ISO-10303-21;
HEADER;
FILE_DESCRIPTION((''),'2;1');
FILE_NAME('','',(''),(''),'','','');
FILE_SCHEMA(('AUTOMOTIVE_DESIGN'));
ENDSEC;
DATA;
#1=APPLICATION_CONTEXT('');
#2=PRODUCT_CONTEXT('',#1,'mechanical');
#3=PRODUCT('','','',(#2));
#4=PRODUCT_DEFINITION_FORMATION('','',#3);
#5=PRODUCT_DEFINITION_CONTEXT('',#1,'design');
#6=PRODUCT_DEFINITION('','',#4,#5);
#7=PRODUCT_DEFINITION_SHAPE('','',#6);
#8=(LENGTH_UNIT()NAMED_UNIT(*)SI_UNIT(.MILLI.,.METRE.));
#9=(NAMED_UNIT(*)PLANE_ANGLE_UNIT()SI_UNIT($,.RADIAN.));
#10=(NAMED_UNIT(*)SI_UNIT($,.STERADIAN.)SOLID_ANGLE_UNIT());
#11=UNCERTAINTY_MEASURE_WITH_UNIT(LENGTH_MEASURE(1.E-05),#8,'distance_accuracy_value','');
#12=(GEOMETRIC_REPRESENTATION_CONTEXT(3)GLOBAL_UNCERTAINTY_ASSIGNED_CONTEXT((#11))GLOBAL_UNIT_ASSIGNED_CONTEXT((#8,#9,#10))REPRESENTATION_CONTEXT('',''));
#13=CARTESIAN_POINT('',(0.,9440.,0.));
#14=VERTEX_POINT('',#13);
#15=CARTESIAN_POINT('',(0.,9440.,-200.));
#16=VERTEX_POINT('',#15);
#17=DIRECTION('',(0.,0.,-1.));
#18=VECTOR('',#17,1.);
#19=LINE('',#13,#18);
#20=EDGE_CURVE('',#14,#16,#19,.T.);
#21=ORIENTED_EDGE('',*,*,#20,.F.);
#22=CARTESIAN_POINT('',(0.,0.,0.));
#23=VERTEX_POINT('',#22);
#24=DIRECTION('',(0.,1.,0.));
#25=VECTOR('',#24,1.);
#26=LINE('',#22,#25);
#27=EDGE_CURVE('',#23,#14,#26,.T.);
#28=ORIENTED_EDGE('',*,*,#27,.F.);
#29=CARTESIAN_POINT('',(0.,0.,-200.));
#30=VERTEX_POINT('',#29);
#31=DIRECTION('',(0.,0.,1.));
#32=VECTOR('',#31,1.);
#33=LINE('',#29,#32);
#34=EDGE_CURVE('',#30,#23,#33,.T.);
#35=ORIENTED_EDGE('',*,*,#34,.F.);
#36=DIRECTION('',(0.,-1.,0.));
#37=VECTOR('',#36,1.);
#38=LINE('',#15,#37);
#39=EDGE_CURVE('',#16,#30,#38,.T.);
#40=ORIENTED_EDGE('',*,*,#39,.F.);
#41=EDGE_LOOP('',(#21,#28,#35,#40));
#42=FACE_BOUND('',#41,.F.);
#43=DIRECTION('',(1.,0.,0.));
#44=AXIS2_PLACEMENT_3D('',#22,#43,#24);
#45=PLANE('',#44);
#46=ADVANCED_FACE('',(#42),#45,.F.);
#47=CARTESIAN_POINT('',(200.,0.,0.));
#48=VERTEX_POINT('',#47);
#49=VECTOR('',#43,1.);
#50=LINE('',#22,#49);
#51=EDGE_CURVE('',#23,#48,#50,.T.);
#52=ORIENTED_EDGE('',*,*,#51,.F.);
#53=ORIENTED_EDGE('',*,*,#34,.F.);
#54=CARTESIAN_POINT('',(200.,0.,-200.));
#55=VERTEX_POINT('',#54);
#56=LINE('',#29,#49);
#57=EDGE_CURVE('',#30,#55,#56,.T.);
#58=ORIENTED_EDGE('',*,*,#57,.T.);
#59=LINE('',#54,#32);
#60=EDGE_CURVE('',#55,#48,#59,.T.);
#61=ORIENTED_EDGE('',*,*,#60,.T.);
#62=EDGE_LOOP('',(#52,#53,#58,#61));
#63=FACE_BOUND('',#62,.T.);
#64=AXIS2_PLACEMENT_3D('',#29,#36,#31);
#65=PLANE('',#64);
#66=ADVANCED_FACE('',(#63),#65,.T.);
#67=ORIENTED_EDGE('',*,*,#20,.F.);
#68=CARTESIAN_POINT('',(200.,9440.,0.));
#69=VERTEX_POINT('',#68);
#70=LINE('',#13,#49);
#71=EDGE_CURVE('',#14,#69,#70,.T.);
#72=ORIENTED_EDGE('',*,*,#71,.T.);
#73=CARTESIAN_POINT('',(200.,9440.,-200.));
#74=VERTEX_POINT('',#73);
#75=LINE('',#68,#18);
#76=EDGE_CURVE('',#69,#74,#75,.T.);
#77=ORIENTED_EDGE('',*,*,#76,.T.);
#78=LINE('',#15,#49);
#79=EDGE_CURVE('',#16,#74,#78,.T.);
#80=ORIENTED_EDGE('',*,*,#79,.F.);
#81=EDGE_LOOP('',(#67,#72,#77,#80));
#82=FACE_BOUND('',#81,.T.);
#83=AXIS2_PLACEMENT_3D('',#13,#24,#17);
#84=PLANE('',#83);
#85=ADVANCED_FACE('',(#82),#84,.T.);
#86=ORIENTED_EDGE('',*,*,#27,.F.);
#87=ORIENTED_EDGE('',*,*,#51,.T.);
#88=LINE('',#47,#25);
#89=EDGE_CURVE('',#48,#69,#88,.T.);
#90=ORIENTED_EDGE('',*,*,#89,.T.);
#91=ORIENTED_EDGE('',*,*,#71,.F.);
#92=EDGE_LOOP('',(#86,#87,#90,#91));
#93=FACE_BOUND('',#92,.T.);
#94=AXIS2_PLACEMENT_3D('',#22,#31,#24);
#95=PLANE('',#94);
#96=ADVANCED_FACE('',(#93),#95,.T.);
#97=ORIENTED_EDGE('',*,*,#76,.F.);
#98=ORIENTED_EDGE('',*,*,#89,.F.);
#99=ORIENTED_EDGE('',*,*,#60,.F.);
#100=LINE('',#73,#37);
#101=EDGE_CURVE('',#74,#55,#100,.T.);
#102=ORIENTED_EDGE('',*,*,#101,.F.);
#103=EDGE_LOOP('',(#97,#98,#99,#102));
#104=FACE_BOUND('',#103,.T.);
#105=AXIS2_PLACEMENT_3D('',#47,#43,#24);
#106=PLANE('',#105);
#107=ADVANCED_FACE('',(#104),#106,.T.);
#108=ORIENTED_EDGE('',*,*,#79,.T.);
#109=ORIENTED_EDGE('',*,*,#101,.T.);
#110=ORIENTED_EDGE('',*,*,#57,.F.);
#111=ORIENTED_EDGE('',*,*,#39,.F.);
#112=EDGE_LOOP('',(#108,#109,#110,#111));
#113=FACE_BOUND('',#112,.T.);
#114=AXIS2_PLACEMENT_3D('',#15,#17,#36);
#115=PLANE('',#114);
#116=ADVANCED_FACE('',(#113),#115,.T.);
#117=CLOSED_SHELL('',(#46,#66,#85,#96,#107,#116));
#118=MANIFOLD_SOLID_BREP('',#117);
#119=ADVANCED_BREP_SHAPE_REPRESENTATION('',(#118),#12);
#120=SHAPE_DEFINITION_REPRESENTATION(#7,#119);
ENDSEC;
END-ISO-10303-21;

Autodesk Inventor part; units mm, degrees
ref_plane "YZ Plane" through (0, 0, 0) normal (1, 0, 0) x (0, 1, 0)
ref_plane "XZ Plane" through (0, 0, 0) normal (0, 1, 0) x (-1, 0, 0)
ref_plane "XY Plane" through (0, 0, 0) normal (0, 0, 1) x (1, 0, 0)
sketch "Sketch1" plane through (0, 0, 0) normal (1, 0, 0) x (0, 1, 0)
  line L0 (0, 0) -> (9440, 0)
  line L1 (9440, 0) -> (9440, -200)
  line L2 (9440, -200) -> (0, -200)
  line L3 (0, -200) -> (0, 0)
  dimension "d0" = 9440
  dimension "d1" = 200
extrude "Extrusion1" add sketch "Sketch1" along normal blind 200
properties part number "Long post for truss back" material "Stainless Steel"
